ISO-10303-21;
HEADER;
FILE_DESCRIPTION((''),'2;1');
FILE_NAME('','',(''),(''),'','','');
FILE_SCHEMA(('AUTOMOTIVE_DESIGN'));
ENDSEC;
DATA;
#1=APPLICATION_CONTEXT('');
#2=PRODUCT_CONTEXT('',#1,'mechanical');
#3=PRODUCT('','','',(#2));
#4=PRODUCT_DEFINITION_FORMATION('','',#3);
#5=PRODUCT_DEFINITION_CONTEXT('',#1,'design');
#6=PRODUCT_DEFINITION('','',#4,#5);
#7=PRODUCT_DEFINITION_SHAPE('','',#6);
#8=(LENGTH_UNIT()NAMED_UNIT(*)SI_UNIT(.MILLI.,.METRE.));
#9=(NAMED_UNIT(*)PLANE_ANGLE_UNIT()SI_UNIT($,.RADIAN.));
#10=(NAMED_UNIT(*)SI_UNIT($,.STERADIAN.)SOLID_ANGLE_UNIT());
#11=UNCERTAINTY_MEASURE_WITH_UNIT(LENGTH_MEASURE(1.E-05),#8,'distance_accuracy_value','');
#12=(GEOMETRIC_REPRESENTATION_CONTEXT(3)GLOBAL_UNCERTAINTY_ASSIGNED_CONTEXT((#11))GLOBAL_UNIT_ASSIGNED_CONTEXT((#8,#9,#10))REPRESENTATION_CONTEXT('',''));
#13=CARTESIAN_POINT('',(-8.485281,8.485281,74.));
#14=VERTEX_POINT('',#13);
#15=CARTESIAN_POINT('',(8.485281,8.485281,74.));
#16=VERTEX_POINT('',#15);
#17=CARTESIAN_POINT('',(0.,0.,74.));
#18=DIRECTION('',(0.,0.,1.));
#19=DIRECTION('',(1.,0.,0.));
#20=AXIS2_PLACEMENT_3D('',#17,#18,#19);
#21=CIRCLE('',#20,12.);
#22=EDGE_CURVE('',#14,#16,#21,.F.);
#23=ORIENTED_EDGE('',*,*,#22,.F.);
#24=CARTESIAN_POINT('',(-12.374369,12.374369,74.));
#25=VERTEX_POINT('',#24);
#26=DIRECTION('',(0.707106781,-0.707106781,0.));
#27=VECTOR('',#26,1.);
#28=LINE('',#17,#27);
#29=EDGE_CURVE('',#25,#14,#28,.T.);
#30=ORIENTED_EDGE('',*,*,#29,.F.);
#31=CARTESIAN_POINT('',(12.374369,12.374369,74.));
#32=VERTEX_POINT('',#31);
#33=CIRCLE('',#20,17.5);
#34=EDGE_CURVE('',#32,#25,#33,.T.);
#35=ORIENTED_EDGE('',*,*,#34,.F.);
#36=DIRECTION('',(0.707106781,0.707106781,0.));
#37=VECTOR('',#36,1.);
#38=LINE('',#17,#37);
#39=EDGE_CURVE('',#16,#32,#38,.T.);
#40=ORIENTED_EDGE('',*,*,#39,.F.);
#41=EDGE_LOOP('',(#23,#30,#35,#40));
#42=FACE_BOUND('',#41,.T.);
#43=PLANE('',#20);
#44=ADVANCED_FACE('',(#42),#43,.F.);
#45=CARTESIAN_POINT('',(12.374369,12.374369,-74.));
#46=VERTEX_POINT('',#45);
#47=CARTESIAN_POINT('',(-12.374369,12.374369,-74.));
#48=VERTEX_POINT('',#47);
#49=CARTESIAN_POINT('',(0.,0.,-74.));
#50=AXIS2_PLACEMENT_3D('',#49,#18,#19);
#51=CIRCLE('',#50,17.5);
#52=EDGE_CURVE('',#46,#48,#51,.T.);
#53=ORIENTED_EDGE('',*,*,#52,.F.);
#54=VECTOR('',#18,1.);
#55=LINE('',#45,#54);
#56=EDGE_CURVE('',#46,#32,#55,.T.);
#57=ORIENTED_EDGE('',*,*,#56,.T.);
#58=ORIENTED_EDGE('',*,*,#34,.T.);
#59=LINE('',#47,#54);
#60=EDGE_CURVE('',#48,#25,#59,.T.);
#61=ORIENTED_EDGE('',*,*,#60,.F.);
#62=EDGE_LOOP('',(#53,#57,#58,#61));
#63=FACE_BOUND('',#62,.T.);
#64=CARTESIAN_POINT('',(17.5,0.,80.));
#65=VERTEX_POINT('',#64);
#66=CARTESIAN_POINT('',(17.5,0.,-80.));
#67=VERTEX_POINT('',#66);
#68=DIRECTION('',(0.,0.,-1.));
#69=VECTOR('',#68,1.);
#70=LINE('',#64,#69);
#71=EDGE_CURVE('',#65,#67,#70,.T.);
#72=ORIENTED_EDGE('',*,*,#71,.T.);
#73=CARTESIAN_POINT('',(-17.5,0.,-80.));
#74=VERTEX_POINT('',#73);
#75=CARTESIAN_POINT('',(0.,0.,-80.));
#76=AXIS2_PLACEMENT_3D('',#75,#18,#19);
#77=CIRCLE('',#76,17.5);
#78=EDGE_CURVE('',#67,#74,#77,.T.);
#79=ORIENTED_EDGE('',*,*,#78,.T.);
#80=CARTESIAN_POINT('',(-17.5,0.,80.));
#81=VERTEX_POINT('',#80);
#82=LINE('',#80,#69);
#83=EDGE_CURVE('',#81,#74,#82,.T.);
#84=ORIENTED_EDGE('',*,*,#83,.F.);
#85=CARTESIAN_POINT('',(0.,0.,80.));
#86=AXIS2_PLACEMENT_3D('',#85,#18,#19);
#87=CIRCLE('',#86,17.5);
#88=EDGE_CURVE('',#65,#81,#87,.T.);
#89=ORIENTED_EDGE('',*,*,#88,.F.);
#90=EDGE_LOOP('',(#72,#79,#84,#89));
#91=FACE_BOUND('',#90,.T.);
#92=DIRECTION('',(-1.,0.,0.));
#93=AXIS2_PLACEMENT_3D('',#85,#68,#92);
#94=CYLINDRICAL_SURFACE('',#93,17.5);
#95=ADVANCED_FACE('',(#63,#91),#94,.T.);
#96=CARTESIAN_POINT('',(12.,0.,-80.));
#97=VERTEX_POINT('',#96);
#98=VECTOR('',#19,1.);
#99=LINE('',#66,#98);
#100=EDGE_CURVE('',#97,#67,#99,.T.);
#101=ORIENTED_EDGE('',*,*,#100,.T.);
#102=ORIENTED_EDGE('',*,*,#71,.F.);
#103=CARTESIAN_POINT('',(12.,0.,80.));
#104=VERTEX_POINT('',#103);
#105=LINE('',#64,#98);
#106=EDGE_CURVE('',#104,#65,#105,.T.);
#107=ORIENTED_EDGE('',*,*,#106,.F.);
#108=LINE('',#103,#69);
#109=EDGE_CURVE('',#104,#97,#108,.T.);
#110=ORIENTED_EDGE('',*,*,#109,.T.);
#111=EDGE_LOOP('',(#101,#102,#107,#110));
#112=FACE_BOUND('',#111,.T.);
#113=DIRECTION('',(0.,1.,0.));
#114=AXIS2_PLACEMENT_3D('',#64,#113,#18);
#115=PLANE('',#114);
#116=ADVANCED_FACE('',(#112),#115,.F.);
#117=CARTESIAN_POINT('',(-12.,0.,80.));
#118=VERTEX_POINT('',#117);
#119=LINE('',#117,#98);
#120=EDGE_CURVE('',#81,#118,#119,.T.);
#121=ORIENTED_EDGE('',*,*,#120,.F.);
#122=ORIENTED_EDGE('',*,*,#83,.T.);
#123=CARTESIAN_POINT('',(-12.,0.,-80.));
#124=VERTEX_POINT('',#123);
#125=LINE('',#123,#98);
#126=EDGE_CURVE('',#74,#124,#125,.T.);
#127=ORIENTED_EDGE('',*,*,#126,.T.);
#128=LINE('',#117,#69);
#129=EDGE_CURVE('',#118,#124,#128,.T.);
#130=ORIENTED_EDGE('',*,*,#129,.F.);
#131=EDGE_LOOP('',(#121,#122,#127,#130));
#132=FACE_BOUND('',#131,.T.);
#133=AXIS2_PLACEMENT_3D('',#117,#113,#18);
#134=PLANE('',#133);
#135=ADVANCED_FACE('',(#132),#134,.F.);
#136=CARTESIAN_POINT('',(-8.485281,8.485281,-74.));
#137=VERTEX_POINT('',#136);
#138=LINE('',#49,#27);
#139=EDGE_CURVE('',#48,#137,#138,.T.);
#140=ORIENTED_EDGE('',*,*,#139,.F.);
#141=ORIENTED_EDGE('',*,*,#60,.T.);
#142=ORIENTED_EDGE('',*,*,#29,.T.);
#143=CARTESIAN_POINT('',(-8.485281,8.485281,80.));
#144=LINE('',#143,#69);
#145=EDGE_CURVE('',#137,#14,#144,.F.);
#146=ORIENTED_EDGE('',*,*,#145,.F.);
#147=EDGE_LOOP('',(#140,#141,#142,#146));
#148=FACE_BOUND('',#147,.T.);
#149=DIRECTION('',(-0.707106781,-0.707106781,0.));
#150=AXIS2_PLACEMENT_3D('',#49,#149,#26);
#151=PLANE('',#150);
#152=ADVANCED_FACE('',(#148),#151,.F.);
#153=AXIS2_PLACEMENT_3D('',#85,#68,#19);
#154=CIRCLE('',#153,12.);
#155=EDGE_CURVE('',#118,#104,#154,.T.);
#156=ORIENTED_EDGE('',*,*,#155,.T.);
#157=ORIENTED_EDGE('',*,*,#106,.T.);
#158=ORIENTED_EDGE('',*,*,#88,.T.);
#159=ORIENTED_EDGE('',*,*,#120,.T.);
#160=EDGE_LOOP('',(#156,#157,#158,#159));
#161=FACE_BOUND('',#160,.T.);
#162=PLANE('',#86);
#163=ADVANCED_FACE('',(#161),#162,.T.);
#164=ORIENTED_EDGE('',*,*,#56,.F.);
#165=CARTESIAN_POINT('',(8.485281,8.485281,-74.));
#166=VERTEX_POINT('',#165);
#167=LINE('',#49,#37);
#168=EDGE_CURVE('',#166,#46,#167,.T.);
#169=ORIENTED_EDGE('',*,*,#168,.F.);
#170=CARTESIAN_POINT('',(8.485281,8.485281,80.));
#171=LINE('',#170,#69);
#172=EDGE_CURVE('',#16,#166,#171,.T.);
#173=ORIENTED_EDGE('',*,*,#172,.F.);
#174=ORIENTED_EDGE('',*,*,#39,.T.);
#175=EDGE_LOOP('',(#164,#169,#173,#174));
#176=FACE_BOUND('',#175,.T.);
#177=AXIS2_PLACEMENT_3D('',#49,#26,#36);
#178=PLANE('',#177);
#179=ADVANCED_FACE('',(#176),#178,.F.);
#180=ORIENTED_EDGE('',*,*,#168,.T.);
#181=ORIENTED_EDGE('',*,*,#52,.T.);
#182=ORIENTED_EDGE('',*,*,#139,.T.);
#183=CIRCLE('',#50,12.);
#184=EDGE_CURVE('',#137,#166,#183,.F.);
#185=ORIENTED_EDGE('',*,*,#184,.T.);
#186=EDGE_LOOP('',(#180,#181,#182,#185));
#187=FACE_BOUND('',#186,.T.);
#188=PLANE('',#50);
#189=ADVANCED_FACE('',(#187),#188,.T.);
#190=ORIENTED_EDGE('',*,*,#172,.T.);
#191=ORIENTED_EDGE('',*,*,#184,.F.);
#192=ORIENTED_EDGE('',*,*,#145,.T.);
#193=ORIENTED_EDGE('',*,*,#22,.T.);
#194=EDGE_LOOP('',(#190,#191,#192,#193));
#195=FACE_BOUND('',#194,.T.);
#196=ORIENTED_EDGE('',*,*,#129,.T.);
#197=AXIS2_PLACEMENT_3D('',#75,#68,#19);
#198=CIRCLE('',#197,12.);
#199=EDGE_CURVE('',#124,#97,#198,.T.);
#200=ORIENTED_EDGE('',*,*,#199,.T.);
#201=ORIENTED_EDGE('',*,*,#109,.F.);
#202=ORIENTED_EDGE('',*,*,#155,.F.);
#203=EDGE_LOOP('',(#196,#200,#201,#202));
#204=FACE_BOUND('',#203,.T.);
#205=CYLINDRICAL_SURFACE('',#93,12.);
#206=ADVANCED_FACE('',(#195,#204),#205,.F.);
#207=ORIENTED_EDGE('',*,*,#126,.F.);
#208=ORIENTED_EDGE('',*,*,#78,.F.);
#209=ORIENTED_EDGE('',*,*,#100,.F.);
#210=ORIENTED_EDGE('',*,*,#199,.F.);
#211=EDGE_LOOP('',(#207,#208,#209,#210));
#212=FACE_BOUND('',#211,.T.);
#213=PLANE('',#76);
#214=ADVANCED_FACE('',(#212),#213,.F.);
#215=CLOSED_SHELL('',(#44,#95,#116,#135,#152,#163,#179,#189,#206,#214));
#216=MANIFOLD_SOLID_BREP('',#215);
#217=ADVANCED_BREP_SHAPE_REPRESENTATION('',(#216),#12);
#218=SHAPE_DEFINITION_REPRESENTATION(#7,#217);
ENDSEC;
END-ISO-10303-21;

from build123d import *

# Parameters (mm, degrees)
BOSS_EXTRUDE1_DEPTH = 80
CUT_EXTRUDE3_DEPTH  = 74


with BuildPart() as part:
    # Sketch1 → Boss-Extrude1 (new, symmetric)
    with BuildSketch(Plane.XY):
        with BuildLine():
            Line((17.5, 0), (12, 0))
            ThreePointArc((12, 0), (0, 12), (-12, 0))
            Line((-12, 0), (-17.5, 0))
            ThreePointArc((-17.5, 0), (0, 17.5), (17.5, 0))
        make_face()
    extrude(amount=BOSS_EXTRUDE1_DEPTH, both=True)

    # Sketch4 → Cut-Extrude3 (cut, symmetric)
    with BuildSketch(Plane.XY):
        with BuildLine():
            Line((0, 0), (12.374368671, 12.374368671))
            ThreePointArc((12.374368671, 12.374368671), (0, 17.5), (-12.374368671, 12.374368671))
            Line((-12.374368671, 12.374368671), (0, 0))
        make_face()
    extrude(amount=CUT_EXTRUDE3_DEPTH, both=True, mode=Mode.SUBTRACT)


solid = part.part
